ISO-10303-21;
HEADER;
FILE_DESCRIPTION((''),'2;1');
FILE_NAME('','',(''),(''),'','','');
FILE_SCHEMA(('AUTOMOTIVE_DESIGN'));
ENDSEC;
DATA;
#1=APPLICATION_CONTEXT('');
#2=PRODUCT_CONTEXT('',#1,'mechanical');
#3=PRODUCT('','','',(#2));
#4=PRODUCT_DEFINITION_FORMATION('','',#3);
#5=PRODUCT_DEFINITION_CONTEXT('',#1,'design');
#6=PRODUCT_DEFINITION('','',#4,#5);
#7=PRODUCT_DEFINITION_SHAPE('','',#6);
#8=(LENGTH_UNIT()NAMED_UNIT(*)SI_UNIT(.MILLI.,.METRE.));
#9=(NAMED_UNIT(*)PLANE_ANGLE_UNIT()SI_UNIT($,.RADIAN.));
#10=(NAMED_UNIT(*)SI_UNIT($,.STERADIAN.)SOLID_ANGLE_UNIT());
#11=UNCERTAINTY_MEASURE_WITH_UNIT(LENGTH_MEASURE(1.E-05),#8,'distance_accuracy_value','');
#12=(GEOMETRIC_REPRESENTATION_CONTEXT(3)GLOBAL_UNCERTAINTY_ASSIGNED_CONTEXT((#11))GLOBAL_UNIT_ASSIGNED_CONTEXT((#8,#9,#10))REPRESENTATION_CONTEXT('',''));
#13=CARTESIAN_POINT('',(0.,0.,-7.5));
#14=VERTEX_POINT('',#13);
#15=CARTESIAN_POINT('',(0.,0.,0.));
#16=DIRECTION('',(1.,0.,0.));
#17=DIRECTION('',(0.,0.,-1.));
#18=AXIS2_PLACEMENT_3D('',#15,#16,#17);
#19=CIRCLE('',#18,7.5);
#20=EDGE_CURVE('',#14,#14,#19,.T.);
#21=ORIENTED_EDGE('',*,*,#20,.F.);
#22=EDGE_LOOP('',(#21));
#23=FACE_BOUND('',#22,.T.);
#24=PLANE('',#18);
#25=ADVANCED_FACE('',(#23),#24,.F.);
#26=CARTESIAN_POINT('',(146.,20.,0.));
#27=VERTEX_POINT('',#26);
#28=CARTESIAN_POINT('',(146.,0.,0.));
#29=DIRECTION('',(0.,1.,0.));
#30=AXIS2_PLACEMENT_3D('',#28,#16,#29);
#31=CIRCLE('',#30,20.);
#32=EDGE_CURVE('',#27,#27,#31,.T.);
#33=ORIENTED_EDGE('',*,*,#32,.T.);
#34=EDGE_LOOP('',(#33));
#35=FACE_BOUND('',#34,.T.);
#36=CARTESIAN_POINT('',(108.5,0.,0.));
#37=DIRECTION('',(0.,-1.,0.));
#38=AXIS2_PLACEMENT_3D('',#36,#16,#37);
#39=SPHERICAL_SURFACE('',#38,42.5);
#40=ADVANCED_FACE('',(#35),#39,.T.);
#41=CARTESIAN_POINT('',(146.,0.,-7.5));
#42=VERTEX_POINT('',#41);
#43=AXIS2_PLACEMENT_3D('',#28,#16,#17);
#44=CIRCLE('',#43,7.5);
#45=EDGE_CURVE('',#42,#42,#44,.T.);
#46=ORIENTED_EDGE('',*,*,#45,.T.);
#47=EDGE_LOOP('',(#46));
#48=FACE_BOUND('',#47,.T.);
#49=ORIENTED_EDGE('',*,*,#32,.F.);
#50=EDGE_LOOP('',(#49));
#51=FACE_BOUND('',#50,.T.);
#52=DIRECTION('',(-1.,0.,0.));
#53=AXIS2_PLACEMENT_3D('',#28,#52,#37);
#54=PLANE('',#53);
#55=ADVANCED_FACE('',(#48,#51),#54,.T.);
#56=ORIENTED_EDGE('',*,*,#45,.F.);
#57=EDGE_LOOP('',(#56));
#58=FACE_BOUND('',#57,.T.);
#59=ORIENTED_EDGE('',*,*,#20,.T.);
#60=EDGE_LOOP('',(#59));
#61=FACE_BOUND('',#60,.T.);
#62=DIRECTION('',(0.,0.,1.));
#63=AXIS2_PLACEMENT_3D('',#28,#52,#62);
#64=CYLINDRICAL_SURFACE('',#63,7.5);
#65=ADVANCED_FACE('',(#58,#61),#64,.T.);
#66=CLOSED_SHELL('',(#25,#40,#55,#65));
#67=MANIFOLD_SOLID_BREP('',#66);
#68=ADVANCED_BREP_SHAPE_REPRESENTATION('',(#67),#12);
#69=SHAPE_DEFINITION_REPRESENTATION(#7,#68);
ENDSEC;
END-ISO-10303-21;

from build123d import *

# Parameters (mm, degrees)
SHAFT_SKETCH_R      = 7.5
SHAFT_EXTRUDE_DEPTH = 146


with BuildPart() as part:
    # Shaft Sketch → Shaft Extrude (new body)
    with BuildSketch(Plane(origin=(0, 0, 0), x_dir=(0, 0, -1), z_dir=(1, 0, 0))):
        Circle(SHAFT_SKETCH_R)
    extrude(amount=SHAFT_EXTRUDE_DEPTH)

    # Head Sketch → Head Revolution (revolve)
    with BuildSketch(Plane.XY, mode=Mode.PRIVATE) as head_revolution_sk:
        with BuildLine():
            Line((151, 0), (146, 0))
            Line((146, 0), (146, 20))
            ThreePointArc((146, 20), (149.731056256, 10.307764064), (151, 0))
        make_face()
    revolve(head_revolution_sk.sketch.rotate(Axis((151, 0, 0), (-1, 0, 0)), 180), axis=Axis((151, 0, 0), (-1, 0, 0)))


solid = part.part
